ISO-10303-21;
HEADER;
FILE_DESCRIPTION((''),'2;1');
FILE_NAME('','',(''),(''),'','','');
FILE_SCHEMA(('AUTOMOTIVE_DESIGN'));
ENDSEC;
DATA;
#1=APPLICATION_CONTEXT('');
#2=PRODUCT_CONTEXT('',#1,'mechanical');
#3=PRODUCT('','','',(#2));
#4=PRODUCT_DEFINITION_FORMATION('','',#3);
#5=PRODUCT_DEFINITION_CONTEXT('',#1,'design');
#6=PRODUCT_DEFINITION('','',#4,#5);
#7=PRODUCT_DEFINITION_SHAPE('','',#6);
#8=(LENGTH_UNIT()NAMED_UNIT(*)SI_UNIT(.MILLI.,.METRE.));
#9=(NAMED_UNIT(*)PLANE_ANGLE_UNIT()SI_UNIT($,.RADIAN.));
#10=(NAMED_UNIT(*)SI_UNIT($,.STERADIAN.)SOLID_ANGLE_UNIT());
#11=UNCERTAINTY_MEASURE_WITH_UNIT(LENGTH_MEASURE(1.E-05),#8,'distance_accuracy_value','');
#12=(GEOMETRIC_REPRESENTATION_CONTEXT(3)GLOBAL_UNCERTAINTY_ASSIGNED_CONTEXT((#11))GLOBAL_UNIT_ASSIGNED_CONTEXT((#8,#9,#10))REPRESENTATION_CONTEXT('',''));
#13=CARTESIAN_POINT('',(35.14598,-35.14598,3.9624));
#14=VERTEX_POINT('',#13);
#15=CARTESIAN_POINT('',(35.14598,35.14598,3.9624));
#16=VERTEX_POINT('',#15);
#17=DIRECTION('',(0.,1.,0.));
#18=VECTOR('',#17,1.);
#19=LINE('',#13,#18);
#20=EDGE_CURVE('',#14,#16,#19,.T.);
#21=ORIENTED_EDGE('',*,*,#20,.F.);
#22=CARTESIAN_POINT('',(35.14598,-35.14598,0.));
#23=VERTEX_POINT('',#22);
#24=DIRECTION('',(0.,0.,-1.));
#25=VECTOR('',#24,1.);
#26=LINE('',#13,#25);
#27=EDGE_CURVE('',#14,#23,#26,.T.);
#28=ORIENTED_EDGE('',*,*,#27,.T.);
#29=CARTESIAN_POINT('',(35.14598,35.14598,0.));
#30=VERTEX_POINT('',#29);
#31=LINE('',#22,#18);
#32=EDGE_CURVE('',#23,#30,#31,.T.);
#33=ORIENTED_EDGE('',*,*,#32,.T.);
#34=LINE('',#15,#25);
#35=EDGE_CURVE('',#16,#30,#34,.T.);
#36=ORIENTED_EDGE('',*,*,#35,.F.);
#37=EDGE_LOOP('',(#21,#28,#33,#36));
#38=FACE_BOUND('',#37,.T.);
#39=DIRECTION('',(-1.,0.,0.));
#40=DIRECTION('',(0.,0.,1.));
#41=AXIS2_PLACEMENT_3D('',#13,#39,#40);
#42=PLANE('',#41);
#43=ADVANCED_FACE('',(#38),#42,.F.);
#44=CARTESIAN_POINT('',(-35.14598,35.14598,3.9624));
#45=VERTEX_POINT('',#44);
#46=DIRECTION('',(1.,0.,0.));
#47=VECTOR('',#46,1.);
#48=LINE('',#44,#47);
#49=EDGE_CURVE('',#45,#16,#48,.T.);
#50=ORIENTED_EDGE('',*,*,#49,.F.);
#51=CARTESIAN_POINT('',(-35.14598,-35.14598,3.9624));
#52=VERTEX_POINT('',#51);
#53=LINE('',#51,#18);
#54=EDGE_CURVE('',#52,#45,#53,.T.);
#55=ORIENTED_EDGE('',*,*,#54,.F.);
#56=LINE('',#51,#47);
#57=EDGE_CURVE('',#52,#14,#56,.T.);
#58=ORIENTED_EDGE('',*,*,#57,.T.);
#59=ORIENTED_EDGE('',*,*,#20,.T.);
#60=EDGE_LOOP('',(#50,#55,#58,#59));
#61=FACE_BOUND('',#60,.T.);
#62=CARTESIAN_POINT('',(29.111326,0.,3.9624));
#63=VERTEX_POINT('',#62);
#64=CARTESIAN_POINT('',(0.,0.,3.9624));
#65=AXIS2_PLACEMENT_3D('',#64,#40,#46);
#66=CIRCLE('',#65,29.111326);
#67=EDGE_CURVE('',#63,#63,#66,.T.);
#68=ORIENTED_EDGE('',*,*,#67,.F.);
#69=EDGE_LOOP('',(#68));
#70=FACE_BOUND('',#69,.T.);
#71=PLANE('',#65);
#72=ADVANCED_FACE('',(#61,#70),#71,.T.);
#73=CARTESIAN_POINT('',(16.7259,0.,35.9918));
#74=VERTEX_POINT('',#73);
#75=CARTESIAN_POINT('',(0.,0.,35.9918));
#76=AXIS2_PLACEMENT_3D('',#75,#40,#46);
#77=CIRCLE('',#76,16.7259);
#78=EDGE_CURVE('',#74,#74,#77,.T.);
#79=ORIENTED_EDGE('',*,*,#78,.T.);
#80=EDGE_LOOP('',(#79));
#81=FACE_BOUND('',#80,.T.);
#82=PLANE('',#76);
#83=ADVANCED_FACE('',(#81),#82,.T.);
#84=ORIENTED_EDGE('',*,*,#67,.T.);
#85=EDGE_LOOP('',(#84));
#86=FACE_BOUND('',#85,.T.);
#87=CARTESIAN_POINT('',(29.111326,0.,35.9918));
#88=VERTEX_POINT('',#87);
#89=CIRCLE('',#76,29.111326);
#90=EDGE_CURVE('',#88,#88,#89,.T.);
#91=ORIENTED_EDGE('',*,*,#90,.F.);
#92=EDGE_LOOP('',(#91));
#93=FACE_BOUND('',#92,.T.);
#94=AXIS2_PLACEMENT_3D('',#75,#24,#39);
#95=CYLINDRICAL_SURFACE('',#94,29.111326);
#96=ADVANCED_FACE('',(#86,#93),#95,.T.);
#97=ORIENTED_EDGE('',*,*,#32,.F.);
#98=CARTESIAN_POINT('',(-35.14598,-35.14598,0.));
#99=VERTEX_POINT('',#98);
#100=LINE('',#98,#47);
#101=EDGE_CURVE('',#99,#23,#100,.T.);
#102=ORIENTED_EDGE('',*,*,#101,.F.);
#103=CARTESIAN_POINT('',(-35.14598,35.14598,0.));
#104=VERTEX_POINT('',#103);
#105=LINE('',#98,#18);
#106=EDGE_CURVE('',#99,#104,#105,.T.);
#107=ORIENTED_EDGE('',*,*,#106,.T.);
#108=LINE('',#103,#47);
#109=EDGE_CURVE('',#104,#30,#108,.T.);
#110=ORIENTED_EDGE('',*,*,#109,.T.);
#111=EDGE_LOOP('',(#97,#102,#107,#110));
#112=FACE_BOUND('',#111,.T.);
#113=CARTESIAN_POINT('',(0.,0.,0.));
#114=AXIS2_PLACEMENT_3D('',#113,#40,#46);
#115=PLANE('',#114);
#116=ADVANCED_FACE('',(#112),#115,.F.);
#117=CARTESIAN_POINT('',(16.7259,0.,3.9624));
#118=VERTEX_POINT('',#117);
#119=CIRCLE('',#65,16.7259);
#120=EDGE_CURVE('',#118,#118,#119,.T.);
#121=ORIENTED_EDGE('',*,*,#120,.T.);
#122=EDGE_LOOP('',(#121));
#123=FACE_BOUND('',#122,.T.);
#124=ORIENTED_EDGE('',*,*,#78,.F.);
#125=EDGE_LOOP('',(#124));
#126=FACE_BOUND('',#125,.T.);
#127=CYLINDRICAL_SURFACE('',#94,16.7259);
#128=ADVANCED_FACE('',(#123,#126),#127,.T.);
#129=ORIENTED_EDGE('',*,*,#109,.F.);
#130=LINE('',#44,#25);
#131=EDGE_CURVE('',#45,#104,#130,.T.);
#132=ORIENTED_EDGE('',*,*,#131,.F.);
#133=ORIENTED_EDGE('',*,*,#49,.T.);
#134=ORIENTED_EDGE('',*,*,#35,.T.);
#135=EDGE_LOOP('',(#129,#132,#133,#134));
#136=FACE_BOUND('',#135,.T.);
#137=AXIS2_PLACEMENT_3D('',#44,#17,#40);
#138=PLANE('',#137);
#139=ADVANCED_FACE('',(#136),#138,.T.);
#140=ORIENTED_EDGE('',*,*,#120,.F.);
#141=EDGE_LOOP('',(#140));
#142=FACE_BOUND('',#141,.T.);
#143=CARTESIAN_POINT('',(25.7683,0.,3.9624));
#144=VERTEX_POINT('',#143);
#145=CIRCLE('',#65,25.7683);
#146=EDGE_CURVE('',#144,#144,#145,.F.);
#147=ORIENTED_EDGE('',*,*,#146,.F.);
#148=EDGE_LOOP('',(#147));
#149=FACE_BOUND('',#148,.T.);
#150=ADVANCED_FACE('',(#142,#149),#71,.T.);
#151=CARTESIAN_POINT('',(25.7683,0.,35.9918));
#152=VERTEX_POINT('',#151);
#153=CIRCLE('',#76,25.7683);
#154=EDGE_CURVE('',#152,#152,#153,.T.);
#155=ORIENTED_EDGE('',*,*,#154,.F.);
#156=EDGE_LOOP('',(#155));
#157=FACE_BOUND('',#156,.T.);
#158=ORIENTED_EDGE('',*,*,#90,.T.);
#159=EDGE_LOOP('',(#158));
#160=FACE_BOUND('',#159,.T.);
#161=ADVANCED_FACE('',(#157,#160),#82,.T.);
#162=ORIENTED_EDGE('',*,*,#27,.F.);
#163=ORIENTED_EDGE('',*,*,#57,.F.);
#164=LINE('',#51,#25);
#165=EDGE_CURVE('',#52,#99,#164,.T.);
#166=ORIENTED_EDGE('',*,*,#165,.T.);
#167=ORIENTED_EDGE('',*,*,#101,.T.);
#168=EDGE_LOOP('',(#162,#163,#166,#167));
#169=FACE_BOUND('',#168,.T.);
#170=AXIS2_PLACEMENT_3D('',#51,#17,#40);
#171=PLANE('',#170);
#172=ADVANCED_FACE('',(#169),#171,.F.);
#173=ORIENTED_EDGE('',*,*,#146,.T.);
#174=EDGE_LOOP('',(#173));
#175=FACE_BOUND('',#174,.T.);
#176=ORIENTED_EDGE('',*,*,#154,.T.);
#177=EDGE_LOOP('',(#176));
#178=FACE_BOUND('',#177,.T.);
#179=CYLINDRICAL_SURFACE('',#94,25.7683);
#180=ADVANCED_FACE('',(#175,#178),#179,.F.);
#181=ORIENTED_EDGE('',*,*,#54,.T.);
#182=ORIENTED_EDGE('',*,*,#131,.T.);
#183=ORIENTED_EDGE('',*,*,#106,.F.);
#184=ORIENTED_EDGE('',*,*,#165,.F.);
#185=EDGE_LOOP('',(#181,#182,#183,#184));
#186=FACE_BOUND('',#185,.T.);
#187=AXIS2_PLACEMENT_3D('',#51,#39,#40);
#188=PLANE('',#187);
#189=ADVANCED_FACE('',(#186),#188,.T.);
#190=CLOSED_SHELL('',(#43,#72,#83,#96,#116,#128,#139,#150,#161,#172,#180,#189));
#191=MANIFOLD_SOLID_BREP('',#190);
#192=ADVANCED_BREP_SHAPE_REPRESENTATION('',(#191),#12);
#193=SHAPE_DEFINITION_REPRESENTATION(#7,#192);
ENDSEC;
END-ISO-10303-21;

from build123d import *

# Parameters (mm, degrees)
SKETCH1_W           = 70.29196
SKETCH1_H           = 70.29196
BOSS_EXTRUDE1_DEPTH = 3.9624
BOSS_EXTRUDE2_START = 3.9624
SKETCH1_3_R         = 29.111326452
SKETCH1_3_R_2       = 25.7683
BOSS_EXTRUDE2_DEPTH = 32.0294
BOSS_EXTRUDE3_START = 3.9624
SKETCH1_4_R         = 16.7259
BOSS_EXTRUDE3_DEPTH = 32.0294


with BuildPart() as part:
    # Sketch1 → Boss-Extrude1 (new body)
    with BuildSketch(Plane.XY):
        Rectangle(SKETCH1_W, SKETCH1_H)
    extrude(amount=BOSS_EXTRUDE1_DEPTH)

    # Sketch1<3> → Boss-Extrude2 (add)
    with BuildSketch(Plane.XY.offset(BOSS_EXTRUDE2_START)):
        Circle(SKETCH1_3_R)
        Circle(SKETCH1_3_R_2, mode=Mode.SUBTRACT)
    extrude(amount=BOSS_EXTRUDE2_DEPTH)

    # Sketch1<4> → Boss-Extrude3 (add)
    with BuildSketch(Plane.XY.offset(BOSS_EXTRUDE3_START)):
        Circle(SKETCH1_4_R)
    extrude(amount=BOSS_EXTRUDE3_DEPTH)


solid = part.part
